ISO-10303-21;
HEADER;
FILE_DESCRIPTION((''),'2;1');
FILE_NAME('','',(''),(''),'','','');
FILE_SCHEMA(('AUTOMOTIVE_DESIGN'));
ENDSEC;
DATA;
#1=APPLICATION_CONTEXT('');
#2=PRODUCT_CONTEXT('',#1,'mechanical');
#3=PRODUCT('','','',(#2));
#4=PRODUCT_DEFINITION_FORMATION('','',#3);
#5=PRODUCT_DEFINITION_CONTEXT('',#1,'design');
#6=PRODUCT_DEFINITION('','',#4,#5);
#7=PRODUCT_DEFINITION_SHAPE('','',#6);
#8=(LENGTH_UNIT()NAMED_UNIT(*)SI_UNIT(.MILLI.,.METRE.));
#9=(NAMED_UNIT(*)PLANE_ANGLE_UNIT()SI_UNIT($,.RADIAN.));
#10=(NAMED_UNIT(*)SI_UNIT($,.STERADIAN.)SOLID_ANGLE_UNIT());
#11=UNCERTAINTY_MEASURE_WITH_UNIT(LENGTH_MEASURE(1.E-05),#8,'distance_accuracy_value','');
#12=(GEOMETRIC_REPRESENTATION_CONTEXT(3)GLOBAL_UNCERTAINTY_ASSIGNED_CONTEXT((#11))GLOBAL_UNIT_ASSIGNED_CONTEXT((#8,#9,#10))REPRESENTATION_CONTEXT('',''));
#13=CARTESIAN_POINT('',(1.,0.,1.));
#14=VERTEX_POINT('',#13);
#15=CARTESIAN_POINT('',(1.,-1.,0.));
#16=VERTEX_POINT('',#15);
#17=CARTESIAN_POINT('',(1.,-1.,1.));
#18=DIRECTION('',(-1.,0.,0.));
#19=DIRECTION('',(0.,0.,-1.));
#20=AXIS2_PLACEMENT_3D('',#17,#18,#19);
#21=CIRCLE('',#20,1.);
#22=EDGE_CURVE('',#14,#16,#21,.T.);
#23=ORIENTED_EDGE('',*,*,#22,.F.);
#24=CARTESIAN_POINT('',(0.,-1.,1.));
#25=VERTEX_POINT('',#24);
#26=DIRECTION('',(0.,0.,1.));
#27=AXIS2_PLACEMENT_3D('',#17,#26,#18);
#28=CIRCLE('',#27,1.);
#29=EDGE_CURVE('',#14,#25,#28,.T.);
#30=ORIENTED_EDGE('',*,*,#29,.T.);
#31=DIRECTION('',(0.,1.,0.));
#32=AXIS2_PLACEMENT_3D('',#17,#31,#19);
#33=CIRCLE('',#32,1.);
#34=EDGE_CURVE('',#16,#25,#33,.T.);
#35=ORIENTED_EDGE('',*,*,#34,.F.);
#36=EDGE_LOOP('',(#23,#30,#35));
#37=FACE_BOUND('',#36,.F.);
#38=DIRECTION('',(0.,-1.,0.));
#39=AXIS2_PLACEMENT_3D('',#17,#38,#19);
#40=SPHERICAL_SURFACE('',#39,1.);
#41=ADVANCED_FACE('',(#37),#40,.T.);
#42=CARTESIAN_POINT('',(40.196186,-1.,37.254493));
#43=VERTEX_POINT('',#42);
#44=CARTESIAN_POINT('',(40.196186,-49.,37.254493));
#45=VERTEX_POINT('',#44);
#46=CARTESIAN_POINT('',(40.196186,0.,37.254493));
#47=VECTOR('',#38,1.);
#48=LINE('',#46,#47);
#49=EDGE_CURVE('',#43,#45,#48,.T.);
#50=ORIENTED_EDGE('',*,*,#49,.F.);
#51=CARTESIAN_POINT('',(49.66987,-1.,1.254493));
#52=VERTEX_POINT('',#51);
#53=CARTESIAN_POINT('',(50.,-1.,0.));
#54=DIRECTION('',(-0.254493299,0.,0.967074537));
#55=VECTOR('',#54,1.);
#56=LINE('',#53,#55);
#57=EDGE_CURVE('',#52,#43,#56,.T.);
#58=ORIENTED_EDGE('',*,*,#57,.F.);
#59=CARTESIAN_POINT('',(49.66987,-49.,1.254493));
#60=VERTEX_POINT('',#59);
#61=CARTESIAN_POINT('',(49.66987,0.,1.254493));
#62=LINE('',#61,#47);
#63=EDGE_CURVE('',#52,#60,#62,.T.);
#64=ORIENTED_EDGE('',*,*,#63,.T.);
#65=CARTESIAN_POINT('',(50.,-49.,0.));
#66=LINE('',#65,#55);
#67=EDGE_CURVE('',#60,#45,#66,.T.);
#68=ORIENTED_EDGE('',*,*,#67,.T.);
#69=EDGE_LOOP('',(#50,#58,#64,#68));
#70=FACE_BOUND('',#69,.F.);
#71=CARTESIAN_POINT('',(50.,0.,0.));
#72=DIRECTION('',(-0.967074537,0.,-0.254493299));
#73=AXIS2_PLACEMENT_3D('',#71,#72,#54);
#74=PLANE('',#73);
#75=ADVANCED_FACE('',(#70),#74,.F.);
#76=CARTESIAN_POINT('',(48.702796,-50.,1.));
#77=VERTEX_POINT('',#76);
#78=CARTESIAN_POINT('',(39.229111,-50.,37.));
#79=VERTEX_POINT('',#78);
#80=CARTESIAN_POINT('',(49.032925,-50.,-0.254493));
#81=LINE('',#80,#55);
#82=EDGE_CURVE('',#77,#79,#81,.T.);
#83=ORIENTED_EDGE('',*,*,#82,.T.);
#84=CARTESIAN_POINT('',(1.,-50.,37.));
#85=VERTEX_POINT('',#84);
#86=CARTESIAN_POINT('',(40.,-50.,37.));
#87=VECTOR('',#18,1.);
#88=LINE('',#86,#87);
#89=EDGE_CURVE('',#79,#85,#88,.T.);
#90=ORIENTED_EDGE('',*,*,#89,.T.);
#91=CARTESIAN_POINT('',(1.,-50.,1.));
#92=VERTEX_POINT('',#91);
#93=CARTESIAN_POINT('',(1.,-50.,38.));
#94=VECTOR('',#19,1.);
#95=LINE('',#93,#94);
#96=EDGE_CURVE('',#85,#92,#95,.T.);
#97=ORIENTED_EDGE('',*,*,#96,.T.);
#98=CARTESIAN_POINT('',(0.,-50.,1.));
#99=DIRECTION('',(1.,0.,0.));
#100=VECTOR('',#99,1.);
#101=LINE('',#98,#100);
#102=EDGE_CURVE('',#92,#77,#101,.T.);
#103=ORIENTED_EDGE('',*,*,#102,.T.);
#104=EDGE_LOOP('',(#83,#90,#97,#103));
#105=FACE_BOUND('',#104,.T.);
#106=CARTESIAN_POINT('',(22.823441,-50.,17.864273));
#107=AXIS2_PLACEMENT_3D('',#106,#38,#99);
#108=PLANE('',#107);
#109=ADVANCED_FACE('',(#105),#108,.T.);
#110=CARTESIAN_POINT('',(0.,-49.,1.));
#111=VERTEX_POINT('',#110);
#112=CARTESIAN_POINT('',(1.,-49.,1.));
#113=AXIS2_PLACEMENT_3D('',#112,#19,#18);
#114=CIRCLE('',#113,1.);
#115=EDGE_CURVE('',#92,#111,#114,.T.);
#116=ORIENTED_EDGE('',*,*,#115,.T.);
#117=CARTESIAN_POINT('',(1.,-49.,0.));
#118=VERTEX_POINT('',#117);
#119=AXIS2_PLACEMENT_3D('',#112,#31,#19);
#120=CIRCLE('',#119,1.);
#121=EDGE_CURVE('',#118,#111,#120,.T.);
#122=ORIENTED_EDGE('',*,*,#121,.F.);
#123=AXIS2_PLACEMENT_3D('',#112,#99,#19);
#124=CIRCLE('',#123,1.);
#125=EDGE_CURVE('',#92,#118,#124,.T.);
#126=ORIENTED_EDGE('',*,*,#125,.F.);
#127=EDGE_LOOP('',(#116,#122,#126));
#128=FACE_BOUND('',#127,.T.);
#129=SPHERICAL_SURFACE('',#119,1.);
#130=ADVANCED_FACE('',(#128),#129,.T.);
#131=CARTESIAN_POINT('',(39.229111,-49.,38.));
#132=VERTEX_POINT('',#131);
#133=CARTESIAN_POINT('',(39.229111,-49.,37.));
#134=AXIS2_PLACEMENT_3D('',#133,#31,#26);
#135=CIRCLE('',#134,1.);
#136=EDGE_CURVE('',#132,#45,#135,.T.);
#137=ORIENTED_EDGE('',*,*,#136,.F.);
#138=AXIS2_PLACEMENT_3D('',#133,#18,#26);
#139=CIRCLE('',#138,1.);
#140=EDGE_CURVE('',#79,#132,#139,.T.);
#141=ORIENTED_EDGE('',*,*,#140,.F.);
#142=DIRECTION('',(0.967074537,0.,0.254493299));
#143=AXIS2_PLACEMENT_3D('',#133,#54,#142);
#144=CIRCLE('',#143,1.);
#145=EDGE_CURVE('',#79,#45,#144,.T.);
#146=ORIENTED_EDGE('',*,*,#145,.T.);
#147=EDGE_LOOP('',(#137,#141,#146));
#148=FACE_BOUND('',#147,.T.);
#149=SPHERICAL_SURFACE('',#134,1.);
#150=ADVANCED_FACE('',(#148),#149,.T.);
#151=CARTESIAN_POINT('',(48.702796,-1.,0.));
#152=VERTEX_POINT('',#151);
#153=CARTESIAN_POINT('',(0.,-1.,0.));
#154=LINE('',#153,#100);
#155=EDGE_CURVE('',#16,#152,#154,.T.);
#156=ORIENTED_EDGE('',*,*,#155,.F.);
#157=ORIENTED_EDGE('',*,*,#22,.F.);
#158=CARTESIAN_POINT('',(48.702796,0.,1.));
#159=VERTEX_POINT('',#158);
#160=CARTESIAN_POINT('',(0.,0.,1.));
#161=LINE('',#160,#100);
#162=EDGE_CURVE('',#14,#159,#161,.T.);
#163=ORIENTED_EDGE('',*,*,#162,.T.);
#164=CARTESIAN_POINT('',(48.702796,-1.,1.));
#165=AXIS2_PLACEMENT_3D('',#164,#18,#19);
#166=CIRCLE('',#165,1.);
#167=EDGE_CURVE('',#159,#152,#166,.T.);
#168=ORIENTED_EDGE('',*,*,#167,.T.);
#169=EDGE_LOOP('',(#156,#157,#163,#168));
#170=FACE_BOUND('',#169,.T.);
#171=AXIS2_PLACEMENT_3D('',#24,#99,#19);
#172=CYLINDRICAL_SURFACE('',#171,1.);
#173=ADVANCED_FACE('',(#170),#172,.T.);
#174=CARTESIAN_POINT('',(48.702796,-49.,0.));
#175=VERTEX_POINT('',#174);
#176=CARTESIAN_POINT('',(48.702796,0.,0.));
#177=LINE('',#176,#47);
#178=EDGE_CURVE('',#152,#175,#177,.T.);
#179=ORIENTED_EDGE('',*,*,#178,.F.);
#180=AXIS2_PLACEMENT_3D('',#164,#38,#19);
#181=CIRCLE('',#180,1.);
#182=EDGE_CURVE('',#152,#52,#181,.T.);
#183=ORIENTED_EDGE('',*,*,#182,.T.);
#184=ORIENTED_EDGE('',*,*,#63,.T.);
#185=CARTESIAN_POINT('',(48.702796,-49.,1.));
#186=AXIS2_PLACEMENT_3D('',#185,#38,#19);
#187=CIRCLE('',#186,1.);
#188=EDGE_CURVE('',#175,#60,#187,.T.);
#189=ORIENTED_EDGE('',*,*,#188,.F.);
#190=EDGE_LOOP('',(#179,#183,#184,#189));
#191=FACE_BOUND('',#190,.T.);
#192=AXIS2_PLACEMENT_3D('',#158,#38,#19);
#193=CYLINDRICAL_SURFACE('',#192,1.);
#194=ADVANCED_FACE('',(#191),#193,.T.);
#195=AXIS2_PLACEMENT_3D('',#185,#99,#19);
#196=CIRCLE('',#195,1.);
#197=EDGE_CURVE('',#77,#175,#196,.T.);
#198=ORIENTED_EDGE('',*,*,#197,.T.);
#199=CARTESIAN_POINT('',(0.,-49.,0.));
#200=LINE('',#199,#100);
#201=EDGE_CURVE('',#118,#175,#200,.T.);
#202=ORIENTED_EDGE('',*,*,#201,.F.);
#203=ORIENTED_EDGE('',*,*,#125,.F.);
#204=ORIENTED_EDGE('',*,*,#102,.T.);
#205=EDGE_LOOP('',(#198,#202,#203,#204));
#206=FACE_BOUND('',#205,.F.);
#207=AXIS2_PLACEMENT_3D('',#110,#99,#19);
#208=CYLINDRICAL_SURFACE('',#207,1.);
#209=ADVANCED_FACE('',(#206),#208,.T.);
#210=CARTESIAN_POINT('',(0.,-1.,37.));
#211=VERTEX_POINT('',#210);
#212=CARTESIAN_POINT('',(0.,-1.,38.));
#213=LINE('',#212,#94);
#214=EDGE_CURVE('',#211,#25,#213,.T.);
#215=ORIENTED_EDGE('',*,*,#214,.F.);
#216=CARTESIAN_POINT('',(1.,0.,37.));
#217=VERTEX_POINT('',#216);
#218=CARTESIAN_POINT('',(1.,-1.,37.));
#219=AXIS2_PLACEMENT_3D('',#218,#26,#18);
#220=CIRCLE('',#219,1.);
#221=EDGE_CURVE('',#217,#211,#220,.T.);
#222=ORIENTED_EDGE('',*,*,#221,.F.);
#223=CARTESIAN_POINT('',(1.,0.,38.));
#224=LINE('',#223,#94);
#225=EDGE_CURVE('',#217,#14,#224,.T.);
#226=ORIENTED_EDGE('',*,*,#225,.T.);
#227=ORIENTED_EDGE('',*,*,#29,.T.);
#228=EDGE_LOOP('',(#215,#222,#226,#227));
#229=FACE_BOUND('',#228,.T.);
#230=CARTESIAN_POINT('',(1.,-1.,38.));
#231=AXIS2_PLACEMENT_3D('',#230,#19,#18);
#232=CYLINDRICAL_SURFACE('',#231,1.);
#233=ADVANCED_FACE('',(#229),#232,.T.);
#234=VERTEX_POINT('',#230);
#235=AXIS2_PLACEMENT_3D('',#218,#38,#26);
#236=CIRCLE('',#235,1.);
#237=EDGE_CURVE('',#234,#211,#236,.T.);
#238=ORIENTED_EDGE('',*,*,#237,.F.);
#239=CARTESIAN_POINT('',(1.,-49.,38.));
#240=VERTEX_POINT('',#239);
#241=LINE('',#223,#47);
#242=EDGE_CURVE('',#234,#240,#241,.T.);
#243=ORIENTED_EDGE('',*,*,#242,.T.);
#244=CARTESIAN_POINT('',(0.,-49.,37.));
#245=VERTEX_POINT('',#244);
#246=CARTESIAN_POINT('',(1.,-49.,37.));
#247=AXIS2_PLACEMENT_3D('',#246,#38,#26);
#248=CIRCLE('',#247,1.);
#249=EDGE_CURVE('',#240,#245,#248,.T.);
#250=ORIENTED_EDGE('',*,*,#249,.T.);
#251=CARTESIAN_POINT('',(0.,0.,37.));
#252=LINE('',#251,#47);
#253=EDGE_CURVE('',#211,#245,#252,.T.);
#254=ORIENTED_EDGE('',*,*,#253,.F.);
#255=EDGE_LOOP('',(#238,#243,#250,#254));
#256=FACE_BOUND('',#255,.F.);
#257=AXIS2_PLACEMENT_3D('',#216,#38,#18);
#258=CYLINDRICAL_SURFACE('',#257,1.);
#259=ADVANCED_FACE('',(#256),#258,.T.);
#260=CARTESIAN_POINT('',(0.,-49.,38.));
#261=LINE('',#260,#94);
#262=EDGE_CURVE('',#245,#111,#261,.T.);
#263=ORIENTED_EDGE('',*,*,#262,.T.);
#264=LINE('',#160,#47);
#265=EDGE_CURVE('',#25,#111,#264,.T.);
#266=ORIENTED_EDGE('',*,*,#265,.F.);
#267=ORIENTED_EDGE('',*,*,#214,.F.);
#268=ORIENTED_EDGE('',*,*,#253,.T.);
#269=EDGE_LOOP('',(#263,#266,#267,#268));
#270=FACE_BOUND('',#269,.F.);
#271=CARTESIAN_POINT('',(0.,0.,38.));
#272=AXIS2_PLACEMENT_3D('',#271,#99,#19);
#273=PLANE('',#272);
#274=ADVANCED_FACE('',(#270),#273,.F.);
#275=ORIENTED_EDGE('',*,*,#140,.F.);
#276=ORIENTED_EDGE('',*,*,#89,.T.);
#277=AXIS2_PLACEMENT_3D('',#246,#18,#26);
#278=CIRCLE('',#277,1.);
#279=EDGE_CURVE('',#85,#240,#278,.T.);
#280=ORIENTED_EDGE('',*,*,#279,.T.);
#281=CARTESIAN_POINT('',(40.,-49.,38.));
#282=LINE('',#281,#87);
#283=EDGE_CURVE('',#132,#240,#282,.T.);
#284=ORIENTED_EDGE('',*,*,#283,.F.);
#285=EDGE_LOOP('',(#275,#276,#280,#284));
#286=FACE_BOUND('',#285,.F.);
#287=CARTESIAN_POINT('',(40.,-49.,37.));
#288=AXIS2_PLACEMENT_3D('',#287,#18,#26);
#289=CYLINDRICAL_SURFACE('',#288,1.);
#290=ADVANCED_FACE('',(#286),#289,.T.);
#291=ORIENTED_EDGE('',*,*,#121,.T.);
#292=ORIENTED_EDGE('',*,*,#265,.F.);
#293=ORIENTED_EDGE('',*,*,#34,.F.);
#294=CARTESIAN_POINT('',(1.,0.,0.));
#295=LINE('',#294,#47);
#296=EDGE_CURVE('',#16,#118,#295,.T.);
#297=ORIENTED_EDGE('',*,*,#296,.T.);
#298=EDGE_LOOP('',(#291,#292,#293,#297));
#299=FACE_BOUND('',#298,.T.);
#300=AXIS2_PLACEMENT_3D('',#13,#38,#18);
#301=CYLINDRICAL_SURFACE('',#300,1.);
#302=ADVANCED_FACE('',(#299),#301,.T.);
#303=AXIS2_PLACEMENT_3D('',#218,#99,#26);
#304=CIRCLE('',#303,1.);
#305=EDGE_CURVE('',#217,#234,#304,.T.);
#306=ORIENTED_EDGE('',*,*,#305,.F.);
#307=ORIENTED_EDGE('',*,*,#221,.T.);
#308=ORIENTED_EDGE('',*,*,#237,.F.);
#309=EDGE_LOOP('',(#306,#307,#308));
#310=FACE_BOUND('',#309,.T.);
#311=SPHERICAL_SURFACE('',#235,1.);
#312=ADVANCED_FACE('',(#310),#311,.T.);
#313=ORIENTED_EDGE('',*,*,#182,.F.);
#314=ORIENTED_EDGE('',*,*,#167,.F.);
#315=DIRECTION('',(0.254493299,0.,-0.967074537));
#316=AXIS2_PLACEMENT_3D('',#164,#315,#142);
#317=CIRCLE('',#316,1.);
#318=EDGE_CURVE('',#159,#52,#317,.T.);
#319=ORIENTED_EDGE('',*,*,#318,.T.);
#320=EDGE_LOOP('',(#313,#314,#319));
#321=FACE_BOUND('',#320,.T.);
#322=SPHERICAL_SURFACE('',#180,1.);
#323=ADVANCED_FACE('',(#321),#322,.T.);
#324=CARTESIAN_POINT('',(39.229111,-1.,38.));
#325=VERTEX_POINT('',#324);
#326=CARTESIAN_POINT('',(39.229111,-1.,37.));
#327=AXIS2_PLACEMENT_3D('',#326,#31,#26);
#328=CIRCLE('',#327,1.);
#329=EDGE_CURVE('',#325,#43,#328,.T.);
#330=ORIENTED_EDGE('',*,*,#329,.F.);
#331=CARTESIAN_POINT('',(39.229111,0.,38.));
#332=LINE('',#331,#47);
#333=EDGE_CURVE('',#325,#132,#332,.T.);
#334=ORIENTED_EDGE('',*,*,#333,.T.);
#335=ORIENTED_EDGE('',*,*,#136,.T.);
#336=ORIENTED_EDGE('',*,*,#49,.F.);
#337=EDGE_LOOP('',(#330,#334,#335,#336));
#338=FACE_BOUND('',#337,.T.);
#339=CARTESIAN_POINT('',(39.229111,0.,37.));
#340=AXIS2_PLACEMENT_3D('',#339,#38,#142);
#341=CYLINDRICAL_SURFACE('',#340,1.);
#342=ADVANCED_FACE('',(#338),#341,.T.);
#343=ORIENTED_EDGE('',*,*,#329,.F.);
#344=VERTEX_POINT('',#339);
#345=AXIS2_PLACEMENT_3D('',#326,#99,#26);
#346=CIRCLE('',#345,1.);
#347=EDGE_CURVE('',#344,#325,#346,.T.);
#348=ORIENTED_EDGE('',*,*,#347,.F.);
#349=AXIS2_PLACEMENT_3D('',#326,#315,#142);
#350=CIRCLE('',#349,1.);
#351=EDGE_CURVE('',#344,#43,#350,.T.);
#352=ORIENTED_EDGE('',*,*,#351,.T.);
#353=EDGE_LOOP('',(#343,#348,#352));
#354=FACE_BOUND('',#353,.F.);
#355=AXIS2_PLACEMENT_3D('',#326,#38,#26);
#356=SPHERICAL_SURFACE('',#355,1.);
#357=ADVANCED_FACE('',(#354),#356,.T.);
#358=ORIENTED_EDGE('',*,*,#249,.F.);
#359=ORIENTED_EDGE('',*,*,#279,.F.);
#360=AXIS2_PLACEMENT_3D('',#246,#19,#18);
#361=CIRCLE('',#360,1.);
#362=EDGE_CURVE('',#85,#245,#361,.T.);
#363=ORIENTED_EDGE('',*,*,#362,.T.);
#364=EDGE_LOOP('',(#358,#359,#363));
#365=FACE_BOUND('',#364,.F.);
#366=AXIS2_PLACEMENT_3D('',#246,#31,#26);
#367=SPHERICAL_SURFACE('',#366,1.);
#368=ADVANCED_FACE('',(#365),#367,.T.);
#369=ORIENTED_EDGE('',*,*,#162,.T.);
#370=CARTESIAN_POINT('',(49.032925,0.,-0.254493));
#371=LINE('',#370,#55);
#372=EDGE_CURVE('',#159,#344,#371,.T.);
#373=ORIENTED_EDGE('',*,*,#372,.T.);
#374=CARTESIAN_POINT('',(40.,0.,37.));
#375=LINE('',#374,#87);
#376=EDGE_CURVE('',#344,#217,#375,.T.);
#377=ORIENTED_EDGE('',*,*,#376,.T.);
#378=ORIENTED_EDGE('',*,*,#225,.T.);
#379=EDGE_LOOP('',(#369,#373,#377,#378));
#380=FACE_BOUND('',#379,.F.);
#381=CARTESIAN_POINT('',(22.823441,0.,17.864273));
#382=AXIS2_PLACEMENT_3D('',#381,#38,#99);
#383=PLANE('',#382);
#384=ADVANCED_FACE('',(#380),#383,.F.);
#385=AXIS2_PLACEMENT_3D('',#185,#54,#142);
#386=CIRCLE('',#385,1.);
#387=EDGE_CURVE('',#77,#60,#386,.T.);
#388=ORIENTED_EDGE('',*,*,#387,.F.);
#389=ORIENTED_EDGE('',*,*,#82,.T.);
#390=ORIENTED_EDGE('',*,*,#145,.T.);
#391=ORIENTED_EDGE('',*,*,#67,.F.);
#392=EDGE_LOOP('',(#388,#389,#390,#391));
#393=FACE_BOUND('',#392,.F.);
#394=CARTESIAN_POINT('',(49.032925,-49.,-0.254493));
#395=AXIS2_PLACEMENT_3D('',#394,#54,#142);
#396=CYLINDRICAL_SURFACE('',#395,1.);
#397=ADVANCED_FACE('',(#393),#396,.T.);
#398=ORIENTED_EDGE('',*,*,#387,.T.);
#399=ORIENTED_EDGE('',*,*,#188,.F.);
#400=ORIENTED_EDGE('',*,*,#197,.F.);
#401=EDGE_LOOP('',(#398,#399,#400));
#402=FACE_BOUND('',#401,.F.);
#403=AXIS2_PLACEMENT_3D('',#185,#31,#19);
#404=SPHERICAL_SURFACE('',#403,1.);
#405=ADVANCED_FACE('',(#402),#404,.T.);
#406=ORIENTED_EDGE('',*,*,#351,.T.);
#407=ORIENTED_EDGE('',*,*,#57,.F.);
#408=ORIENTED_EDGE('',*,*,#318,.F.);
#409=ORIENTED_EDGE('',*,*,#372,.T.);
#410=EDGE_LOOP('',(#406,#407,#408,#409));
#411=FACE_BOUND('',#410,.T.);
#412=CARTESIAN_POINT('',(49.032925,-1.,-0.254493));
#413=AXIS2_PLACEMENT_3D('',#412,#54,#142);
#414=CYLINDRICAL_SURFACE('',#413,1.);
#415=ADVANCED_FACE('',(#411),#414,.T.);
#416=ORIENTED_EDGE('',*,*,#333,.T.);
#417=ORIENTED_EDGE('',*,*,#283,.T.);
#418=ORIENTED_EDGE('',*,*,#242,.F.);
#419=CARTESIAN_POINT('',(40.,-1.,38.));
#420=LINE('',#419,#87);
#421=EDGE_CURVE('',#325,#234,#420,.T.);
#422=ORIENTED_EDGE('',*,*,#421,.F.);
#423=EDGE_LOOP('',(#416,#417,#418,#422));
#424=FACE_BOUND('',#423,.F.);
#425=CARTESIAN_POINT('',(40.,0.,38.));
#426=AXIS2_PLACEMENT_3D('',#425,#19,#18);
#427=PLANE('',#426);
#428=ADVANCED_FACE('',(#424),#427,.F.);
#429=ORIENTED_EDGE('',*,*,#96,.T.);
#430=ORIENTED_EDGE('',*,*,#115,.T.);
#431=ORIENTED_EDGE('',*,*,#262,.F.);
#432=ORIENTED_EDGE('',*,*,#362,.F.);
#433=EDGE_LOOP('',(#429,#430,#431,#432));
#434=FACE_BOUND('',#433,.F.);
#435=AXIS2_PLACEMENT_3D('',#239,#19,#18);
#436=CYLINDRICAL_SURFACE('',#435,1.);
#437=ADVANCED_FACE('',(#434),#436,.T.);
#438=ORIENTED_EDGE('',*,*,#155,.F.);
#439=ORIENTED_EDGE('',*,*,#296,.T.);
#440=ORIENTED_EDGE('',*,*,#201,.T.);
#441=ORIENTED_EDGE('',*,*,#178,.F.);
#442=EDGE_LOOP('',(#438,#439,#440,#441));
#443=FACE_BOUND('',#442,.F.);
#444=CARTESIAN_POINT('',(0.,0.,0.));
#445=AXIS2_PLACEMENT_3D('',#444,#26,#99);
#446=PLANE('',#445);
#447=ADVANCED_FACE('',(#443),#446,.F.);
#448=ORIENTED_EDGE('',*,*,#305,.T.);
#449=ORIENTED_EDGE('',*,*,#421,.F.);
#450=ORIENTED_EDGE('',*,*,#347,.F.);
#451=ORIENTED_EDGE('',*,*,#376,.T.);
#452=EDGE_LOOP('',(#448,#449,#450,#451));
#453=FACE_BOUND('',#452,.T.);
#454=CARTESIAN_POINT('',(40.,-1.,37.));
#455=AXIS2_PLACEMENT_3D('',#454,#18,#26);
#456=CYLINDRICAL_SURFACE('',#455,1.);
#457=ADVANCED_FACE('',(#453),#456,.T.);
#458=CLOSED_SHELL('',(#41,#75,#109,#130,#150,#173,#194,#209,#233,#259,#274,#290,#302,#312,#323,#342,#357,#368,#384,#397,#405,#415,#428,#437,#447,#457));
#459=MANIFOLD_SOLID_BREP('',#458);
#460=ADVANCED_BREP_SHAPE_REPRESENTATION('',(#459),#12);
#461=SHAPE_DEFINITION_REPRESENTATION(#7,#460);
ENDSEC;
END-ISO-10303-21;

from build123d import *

# Parameters (mm, degrees)
F1_DEPTH = 50
F2_R     = 1


with BuildPart() as f1:
    # F0 (on Front) → F1 (new body)
    with BuildSketch(Plane.XZ):
        Polygon((0, 38), (0, 0), (50, 0), (40, 38), align=None)
    extrude(amount=F1_DEPTH)

    # F2
    f2_edges = [f1.edges().sort_by_distance(p)[0] for p in [
        (40, -25, 38),
        (0, -25, 38),
        (20, 0, 38),
        (20, -50, 38),
        (0, -25, 0),
        (50, -25, 0),
        (25, 0, 0),
        (25, -50, 0),
        (0, -50, 19),
        (45, -50, 19),
        (45, 0, 19),
        (0, 0, 19),
    ]]
    fillet(f2_edges, radius=F2_R)


solid = f1.part
